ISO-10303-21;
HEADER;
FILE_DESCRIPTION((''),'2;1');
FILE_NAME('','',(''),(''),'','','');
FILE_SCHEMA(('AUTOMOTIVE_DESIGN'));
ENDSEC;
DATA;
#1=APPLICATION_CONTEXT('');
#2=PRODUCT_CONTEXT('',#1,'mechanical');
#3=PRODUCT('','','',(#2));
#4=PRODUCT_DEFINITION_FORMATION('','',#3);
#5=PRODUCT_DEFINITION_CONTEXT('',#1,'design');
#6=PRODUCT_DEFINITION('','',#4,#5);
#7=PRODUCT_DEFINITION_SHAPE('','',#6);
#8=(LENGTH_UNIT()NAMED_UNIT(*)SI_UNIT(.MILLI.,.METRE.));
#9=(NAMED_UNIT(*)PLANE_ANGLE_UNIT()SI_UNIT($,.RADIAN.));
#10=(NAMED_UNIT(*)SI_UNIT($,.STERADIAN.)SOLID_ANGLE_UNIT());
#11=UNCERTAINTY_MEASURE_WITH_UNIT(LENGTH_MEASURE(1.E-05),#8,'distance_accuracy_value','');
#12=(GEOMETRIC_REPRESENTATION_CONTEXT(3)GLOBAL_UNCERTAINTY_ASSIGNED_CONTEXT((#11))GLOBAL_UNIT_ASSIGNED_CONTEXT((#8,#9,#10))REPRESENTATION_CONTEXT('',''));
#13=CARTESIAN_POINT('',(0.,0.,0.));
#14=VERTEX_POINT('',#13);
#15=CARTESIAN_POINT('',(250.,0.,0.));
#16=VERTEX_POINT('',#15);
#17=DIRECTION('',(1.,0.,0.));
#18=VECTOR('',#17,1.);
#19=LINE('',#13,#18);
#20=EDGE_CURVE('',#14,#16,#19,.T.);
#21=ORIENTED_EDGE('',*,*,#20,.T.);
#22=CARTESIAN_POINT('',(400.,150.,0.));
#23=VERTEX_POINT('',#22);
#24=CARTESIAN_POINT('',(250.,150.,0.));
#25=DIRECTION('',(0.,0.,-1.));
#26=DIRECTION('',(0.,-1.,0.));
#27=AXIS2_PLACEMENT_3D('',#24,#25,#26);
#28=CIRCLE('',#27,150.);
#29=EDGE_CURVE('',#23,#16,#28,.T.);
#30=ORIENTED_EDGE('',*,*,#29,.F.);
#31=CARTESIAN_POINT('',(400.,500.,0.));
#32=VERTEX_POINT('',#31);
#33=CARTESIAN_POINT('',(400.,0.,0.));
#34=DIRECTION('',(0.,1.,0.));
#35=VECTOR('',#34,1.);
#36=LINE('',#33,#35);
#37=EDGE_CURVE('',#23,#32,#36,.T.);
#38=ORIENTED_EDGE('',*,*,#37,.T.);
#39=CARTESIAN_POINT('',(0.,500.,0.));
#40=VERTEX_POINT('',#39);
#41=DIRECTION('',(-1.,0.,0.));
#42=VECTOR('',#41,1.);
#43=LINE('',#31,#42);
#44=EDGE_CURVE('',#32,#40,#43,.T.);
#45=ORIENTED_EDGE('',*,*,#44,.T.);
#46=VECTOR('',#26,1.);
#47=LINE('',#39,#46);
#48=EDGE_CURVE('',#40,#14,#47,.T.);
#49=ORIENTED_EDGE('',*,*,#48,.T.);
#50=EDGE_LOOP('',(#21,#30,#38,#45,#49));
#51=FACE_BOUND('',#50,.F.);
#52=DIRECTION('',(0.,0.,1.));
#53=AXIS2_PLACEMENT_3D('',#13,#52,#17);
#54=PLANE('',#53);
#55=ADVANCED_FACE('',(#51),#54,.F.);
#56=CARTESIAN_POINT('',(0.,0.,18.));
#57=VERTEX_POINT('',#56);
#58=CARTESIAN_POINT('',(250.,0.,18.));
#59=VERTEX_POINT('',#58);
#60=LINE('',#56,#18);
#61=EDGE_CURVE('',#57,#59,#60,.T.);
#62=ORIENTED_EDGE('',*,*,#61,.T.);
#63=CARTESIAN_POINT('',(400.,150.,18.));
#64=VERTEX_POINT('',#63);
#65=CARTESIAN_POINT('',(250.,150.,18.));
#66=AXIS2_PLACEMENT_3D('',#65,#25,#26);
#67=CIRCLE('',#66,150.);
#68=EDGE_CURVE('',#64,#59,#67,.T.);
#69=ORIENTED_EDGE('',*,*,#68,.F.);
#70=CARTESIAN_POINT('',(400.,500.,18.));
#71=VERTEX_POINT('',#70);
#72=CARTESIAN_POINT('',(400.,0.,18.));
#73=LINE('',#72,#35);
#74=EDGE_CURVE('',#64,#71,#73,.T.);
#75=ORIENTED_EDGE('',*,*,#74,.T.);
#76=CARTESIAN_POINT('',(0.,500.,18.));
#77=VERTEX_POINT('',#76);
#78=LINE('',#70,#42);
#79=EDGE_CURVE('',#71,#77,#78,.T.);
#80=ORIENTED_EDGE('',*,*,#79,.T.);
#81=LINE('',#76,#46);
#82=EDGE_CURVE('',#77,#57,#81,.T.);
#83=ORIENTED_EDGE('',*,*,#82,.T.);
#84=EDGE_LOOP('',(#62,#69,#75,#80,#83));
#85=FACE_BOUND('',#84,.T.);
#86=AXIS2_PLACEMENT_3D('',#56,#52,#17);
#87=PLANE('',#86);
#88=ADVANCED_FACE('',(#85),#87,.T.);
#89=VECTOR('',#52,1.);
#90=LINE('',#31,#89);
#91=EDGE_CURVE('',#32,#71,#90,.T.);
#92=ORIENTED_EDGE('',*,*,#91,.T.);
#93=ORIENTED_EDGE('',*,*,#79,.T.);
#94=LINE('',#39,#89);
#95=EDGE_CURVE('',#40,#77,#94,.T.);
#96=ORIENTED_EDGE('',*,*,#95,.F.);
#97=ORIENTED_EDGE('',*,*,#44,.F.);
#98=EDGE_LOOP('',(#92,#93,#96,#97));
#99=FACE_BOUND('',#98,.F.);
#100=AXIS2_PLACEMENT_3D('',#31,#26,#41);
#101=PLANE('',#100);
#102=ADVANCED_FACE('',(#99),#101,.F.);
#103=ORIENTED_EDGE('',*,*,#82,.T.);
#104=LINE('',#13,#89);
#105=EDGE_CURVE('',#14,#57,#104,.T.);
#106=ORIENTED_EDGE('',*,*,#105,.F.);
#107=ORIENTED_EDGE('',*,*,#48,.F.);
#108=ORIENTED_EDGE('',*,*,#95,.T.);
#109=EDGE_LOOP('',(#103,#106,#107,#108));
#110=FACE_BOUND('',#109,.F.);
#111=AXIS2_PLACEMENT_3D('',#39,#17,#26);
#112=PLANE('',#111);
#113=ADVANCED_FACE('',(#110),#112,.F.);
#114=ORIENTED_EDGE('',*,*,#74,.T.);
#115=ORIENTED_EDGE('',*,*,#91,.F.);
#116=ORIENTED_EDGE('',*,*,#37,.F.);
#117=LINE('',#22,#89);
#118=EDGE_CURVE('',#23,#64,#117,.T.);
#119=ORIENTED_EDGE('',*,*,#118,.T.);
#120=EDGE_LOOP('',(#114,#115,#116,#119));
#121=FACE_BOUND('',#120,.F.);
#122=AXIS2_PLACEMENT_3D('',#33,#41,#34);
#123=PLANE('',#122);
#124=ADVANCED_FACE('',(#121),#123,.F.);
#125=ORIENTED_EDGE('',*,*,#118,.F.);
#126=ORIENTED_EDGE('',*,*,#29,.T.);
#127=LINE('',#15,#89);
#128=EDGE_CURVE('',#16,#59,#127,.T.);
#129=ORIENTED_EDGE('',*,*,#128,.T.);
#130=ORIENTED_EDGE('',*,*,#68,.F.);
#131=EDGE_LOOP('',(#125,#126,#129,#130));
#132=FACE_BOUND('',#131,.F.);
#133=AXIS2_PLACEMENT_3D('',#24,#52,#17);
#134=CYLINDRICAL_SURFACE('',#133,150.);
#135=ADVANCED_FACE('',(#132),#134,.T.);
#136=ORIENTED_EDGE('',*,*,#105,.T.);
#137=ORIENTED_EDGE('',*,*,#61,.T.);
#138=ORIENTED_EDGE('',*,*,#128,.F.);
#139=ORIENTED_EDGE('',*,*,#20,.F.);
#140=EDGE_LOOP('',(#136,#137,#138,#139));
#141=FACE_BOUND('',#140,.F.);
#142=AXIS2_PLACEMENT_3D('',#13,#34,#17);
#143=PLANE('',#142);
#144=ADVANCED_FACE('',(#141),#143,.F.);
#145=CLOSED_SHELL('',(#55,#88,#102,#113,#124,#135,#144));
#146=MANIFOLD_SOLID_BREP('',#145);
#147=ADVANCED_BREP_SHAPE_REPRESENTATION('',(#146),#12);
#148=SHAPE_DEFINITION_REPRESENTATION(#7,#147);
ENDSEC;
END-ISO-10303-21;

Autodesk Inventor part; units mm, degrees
ref_plane "YZ Plane" through (0, 0, 0) normal (1, 0, 0) x (0, 1, 0)
ref_plane "XZ Plane" through (0, 0, 0) normal (0, 1, 0) x (-1, 0, 0)
ref_plane "XY Plane" through (0, 0, 0) normal (0, 0, 1) x (1, 0, 0)
sketch "Sketch1" plane through (0, 0, 0) normal (0, 0, 1) x (1, 0, 0)
  line L0 (0, 0) -> (400, 0)
  line L1 (400, 0) -> (400, 500)
  line L2 (400, 500) -> (0, 500)
  line L3 (0, 500) -> (0, 0)
  dimension "d0" = 400
  dimension "d1" = 500
extrude "Extrusion1" add sketch "Sketch1" along normal blind 18
fillet "Fillet1" radius 150 1 edges at (400, 0, 9)
properties part number "Example" material "LMDF"
